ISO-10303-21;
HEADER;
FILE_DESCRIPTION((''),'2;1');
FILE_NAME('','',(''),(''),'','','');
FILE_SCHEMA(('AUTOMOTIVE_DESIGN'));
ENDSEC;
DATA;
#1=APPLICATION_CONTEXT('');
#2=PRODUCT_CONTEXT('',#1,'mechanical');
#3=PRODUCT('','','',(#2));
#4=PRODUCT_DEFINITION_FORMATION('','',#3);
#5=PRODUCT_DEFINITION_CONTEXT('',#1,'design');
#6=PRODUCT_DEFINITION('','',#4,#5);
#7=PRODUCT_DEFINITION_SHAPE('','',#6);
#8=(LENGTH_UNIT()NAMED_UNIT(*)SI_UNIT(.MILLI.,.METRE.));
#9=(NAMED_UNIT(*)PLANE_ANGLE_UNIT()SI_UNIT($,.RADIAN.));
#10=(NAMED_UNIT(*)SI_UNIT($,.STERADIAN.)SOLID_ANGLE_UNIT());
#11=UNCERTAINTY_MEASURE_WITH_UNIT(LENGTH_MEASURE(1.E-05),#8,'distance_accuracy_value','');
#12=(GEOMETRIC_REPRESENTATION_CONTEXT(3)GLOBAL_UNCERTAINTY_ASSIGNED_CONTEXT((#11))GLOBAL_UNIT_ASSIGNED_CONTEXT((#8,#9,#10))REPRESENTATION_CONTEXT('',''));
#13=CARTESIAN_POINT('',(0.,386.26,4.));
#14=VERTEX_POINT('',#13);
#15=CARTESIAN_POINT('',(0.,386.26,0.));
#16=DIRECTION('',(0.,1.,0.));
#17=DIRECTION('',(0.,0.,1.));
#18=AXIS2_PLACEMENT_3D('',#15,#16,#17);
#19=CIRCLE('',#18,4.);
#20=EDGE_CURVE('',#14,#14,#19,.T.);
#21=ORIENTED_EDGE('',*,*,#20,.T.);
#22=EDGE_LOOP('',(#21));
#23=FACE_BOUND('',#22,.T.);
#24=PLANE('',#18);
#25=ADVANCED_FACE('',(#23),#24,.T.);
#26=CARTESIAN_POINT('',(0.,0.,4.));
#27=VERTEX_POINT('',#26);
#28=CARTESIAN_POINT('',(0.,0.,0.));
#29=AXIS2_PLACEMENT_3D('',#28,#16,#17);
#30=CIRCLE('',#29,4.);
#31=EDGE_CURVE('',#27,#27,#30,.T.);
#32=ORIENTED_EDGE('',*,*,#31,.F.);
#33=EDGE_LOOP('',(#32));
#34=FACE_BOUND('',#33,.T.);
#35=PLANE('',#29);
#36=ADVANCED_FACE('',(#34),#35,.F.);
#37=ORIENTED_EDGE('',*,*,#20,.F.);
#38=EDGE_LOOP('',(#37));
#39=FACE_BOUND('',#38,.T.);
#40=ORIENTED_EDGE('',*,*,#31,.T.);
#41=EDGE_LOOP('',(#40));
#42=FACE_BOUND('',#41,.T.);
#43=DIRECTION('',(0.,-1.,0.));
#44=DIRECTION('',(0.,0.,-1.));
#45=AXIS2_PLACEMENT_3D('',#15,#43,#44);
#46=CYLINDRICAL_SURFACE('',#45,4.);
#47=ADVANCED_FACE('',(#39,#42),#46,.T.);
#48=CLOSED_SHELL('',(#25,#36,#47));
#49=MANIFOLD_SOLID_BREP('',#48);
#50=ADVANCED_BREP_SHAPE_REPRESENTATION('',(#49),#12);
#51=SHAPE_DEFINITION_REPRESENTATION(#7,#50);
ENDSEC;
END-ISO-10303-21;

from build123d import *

# Parameters (mm, degrees)
SKETCH1_R           = 4
BOSS_EXTRUDE1_DEPTH = 386.26


with BuildPart() as part:
    # Sketch1 → Boss-Extrude1 (new body)
    with BuildSketch(Plane(origin=(0, 0, 0), x_dir=(1, 0, 0), z_dir=(0, 1, 0))):
        with Locations(Location((0, 0, 0), (0, 0, 270))):
            Circle(SKETCH1_R)
    extrude(amount=BOSS_EXTRUDE1_DEPTH)


solid = part.part
